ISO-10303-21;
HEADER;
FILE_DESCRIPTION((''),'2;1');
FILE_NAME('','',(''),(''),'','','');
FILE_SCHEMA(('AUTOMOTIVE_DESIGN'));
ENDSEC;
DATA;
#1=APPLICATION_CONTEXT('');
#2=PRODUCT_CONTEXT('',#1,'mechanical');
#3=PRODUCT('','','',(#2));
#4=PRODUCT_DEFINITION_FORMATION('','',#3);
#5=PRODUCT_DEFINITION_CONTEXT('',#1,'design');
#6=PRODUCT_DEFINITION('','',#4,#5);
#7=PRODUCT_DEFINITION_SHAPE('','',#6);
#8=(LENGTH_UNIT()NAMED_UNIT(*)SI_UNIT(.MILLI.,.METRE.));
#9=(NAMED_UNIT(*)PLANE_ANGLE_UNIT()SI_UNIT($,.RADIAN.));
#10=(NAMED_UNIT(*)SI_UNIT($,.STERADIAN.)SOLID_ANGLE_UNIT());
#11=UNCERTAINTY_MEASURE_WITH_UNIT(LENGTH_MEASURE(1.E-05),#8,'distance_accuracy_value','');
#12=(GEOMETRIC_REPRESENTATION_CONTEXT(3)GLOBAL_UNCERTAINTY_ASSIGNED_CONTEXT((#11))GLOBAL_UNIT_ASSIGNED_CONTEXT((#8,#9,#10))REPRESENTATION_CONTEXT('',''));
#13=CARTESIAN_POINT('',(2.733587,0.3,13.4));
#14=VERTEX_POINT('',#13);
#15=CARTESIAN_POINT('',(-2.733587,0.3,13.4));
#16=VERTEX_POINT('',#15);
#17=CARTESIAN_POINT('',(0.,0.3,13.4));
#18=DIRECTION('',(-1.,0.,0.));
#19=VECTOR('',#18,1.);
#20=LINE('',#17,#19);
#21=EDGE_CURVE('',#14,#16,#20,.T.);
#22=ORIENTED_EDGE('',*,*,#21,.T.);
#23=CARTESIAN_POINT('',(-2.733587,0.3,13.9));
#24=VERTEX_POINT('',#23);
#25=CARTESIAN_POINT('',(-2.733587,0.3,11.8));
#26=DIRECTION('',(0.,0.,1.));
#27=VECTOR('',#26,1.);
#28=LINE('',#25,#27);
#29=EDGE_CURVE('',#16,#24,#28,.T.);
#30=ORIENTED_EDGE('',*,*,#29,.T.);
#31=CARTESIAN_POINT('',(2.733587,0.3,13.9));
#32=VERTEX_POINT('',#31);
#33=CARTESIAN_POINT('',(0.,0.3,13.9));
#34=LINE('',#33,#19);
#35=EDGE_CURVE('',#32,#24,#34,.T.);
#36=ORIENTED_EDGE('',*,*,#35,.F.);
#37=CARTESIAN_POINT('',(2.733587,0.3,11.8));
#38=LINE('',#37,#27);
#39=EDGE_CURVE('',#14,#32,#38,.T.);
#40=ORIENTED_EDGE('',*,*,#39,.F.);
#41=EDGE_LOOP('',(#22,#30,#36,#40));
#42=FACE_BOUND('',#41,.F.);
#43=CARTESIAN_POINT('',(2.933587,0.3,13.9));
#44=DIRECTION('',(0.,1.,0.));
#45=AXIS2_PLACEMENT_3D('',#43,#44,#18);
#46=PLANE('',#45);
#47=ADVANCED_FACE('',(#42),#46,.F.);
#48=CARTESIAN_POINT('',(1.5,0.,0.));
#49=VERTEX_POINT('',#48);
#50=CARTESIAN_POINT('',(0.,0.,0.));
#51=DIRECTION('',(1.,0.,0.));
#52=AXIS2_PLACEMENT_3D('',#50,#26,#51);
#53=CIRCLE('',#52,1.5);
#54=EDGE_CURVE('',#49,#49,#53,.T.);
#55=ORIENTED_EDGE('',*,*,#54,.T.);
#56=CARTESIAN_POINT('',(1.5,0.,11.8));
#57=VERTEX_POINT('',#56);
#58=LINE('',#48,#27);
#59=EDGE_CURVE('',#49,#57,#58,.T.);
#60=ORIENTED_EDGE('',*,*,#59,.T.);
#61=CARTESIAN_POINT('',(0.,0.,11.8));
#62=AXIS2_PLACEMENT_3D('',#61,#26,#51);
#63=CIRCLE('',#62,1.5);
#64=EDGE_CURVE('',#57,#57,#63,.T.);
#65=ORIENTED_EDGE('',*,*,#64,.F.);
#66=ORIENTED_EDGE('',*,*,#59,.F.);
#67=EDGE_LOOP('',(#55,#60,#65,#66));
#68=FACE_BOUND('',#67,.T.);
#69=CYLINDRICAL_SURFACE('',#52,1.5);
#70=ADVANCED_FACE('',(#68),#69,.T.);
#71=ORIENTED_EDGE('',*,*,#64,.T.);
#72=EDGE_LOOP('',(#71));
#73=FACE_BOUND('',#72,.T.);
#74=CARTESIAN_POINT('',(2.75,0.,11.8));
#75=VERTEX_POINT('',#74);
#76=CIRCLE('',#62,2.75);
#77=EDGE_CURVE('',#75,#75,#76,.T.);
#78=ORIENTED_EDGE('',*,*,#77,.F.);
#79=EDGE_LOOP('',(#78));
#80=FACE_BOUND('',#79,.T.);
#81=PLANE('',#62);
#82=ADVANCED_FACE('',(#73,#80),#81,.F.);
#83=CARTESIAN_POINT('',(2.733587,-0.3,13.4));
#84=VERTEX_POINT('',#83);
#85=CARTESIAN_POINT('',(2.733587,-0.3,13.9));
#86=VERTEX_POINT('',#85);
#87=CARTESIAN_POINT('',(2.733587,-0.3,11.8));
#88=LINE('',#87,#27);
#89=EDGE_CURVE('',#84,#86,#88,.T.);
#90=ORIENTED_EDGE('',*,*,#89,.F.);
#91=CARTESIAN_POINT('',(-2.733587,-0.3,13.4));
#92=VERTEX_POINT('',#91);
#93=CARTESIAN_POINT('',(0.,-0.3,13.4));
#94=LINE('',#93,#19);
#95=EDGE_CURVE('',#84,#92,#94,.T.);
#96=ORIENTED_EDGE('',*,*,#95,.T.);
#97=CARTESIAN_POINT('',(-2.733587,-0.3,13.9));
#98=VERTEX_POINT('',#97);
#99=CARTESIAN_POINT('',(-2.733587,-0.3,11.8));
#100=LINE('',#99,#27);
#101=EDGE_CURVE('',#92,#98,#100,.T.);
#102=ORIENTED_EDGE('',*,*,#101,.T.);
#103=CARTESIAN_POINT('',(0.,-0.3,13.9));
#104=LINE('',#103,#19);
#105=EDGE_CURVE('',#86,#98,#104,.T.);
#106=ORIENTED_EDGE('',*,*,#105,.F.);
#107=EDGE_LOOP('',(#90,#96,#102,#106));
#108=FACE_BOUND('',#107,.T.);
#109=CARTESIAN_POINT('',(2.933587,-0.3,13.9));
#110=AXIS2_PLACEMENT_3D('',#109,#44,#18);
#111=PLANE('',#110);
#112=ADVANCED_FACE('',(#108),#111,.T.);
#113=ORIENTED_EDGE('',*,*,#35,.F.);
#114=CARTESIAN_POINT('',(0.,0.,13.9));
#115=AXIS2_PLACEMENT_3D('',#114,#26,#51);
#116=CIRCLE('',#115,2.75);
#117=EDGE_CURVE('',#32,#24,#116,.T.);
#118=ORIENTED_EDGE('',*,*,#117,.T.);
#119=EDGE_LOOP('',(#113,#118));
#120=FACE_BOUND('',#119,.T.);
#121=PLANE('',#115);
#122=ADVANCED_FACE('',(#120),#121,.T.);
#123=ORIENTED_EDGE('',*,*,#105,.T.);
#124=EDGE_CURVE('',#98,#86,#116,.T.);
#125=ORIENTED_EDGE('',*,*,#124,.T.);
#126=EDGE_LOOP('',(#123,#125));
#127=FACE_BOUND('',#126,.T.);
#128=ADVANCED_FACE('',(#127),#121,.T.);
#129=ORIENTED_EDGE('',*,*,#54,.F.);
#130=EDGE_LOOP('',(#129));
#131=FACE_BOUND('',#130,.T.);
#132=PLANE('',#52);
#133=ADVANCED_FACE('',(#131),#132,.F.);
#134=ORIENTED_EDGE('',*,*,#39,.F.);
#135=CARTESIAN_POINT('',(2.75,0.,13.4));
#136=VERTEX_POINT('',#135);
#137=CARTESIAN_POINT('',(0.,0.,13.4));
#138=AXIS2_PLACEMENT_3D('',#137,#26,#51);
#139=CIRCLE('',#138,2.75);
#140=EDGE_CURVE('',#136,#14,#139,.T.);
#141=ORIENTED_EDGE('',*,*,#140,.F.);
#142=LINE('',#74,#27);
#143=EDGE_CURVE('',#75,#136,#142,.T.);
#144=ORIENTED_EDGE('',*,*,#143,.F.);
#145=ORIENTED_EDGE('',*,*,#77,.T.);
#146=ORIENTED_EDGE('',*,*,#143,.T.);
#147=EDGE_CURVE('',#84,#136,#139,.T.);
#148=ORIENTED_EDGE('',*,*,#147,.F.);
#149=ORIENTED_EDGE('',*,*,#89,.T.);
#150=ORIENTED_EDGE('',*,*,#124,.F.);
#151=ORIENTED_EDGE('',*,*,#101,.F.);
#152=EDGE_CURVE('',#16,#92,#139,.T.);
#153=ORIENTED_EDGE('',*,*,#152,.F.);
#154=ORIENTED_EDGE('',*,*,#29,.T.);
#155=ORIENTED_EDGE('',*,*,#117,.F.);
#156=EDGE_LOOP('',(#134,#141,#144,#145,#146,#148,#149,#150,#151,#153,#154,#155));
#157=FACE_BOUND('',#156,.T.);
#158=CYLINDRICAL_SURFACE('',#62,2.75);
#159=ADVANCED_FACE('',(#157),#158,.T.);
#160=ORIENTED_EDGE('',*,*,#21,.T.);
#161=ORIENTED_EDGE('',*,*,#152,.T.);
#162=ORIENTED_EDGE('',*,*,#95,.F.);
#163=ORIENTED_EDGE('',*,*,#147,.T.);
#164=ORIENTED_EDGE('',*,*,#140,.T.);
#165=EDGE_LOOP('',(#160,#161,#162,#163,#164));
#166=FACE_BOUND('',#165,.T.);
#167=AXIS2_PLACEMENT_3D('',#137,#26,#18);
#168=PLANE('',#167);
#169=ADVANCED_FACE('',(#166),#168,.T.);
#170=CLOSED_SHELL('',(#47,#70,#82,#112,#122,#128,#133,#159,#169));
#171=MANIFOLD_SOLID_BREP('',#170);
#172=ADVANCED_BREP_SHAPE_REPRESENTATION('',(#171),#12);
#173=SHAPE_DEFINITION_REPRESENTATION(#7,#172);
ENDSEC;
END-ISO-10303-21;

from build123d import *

# Parameters (mm, degrees)
SKETCH_W     = 5.867174
SKETCH_H     = 0.6
POCKET_DEPTH = 0.5


with BuildPart() as part:
    # Sketch001 → Revolution (revolve)
    with BuildSketch(Plane.XZ):
        Polygon((0, 0), (1.5, 0), (1.5, 11.8), (2.75, 11.8), (2.75, 13.9), (0, 13.9), align=None)
    revolve(axis=Axis((0, 0, 0), (0, 0, 1)))

    # Sketch → Pocket (cut)
    with BuildSketch(Plane(origin=(0, 0, 13.9), x_dir=(-1, 0, 0), z_dir=(0, 0, 1))):
        Rectangle(SKETCH_W, SKETCH_H)
    extrude(amount=-POCKET_DEPTH, mode=Mode.SUBTRACT)


solid = part.part
